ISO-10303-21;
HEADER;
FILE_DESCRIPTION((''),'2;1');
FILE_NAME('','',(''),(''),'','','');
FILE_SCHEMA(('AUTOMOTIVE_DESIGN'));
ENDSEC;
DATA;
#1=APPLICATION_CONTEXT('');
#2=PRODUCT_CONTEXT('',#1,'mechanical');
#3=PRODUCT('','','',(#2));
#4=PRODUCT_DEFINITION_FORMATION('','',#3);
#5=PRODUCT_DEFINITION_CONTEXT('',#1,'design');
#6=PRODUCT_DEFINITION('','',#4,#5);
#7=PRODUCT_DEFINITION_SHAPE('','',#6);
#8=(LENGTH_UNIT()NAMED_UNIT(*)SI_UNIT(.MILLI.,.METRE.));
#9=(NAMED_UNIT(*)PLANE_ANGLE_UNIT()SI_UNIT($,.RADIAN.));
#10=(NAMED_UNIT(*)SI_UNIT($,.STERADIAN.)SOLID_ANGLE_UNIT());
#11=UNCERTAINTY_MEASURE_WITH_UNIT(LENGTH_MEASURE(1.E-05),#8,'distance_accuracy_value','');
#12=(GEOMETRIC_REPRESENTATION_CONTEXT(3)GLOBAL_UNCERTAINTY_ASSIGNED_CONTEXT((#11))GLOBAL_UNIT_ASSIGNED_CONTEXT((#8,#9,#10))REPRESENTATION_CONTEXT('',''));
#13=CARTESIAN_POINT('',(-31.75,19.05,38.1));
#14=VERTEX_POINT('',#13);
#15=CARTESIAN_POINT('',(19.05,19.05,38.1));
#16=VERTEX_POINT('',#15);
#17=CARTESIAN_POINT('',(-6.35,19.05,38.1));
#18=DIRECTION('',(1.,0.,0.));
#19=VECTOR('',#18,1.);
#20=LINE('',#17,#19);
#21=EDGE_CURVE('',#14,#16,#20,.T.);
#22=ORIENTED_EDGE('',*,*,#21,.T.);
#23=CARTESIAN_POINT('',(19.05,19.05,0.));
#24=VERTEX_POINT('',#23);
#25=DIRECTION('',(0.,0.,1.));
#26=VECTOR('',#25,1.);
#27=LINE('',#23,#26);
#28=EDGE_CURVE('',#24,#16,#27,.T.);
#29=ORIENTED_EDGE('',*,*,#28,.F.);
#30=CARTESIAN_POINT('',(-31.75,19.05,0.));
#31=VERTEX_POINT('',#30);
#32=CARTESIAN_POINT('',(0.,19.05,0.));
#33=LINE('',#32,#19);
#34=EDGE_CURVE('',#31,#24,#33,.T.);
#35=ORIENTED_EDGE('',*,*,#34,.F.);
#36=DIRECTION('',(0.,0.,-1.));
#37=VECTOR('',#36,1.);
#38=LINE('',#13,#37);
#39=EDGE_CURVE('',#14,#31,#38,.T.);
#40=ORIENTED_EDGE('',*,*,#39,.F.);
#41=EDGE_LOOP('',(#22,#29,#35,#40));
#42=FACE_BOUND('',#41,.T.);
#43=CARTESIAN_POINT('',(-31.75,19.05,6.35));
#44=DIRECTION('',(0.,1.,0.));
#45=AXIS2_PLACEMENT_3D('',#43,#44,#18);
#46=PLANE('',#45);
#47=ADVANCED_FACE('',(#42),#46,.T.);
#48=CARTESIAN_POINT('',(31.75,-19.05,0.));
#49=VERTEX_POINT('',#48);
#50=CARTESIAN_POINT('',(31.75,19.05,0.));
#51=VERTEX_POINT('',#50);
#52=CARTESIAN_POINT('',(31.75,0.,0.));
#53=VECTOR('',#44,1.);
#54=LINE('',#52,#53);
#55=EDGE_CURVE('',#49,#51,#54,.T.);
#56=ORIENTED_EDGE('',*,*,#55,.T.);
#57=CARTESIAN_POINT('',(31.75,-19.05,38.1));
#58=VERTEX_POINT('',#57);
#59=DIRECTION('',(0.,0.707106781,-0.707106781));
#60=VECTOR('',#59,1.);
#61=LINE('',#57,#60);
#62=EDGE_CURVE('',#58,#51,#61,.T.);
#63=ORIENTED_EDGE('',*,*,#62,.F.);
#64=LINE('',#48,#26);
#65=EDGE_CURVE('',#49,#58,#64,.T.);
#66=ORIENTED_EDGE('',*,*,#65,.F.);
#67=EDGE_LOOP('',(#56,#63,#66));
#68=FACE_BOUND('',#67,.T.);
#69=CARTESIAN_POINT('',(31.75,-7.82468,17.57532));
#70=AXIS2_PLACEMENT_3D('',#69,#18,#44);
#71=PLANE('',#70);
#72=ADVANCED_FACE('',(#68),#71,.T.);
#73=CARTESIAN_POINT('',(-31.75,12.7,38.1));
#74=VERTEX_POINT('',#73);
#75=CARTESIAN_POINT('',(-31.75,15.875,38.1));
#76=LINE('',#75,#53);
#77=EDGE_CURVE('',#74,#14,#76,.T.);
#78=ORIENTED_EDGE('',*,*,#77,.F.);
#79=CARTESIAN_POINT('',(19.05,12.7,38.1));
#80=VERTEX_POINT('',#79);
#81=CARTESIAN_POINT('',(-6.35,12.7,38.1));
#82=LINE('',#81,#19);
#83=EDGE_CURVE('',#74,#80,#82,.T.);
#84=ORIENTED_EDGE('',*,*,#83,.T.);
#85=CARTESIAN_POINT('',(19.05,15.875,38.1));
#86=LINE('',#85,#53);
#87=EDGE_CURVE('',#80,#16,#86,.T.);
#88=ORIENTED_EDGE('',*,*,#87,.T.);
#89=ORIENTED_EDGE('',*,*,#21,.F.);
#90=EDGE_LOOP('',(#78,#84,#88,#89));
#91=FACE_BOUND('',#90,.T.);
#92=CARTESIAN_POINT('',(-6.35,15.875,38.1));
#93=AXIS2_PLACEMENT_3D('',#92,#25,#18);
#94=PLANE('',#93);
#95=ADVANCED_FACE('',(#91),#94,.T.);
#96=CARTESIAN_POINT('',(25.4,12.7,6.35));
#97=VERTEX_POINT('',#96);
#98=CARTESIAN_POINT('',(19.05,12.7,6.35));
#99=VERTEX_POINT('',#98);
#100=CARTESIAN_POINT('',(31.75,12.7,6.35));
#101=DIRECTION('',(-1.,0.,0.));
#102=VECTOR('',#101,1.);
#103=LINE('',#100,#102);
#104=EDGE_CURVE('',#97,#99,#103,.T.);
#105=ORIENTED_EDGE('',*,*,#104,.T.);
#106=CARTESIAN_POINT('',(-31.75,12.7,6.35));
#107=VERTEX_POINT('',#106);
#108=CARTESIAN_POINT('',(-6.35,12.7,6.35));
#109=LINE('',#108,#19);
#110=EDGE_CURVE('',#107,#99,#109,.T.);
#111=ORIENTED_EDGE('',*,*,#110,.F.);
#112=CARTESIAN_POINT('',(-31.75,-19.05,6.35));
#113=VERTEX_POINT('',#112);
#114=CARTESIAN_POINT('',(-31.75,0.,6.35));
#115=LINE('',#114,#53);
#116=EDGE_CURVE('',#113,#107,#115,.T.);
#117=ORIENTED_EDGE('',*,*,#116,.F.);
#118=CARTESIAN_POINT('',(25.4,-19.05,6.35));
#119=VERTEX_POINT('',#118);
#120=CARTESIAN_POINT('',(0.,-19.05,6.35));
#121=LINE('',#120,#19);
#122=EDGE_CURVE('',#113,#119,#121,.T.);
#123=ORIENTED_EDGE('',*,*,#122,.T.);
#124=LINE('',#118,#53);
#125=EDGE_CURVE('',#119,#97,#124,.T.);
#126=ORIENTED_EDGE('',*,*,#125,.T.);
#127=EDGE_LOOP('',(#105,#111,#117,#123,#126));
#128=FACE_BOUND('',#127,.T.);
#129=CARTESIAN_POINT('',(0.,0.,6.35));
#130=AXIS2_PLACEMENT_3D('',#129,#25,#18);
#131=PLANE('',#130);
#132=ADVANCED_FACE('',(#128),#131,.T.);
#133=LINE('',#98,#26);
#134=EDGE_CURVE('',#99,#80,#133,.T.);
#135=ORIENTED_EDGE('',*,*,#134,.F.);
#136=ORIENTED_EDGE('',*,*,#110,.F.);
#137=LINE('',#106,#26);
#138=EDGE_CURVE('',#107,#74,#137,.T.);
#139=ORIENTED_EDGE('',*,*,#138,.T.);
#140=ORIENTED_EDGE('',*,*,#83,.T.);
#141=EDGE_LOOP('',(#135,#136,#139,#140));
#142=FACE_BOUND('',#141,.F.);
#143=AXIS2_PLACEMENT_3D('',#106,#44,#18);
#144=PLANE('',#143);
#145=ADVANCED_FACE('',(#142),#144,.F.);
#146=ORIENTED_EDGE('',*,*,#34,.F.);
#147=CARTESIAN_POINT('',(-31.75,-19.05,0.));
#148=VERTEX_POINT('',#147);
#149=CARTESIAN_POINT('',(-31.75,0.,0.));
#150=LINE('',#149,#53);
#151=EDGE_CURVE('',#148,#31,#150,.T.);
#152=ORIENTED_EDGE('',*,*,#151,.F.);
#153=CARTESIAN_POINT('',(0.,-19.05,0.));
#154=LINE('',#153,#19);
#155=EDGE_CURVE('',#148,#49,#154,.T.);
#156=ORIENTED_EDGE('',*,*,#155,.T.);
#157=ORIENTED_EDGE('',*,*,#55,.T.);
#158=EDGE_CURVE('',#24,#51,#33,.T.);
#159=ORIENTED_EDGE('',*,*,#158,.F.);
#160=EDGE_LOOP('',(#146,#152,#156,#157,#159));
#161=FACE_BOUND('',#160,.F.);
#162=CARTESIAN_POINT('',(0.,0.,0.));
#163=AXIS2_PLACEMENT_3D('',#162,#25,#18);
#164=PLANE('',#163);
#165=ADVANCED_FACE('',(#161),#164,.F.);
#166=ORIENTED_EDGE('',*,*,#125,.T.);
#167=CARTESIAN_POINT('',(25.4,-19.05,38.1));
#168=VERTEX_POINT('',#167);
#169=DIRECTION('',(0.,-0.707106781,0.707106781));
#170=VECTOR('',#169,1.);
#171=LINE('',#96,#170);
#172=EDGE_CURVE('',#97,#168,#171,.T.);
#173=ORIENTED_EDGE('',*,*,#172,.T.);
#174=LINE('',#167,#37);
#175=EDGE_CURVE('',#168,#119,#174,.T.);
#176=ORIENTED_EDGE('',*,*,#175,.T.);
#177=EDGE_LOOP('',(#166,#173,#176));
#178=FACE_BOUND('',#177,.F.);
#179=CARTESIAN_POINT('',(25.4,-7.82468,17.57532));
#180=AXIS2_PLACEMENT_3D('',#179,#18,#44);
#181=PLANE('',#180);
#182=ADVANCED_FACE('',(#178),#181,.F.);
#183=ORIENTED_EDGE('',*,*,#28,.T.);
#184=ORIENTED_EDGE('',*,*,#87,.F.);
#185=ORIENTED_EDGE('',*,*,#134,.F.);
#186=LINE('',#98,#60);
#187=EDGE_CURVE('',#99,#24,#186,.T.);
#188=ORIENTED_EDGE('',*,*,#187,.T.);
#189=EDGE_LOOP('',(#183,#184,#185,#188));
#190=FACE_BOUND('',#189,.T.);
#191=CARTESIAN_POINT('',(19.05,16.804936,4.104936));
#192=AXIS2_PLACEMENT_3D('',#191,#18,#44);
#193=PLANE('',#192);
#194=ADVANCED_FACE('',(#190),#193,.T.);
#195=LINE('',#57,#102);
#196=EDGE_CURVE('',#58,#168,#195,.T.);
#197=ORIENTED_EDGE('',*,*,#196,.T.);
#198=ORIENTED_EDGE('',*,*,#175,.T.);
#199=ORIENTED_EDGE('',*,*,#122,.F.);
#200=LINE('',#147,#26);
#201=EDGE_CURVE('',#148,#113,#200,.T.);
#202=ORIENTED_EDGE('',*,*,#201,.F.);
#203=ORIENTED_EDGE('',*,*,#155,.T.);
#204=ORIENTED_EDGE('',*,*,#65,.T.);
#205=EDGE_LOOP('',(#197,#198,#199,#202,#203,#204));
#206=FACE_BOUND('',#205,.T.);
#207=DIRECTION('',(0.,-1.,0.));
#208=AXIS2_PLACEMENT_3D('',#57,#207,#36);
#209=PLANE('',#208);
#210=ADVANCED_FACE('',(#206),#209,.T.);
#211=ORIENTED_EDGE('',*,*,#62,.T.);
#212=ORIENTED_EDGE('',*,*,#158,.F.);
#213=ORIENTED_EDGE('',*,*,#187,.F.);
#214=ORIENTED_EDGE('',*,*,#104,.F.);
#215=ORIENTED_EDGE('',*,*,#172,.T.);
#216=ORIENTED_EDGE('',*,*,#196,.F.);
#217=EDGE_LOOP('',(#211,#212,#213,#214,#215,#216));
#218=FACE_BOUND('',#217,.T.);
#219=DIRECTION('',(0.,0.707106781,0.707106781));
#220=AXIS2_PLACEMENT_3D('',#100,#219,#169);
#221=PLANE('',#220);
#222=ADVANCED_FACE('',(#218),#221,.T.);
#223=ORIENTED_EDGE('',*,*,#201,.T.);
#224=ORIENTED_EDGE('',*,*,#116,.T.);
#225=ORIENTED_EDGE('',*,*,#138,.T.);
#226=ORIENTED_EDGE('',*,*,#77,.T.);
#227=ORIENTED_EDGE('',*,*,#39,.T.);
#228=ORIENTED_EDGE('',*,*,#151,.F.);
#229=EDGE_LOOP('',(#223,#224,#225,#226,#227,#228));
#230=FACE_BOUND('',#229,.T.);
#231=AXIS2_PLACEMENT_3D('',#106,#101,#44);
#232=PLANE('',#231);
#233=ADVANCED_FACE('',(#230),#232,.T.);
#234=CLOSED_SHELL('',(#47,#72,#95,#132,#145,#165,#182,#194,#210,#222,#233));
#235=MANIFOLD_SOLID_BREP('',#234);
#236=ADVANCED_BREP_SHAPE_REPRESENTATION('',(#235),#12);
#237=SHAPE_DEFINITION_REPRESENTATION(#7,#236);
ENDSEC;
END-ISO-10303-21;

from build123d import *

# Parameters (mm, degrees)
F0_W     = 63.5
F0_H     = 38.1
F1_DEPTH = 6.35
F2_W     = 50.8
F2_H     = 6.35
F3_DEPTH = 31.75
F5_DEPTH = 6.35
F7_DEPTH = 12.7


with BuildPart() as f1:
    # F0 (on Top) → F1 (new body)
    with BuildSketch(Plane.XY):
        Rectangle(F0_W, F0_H)
    extrude(amount=F1_DEPTH)

    # F2 (on face) → F3 (join)
    with BuildSketch(Plane.XY.offset(6.35)):
        with Locations((-6.35, 15.875)):
            Rectangle(F2_W, F2_H)
    extrude(amount=F3_DEPTH)

    # F4 (on face) → F5 (join)
    with BuildSketch(Plane.YZ.offset(31.75)):
        Polygon((-19.05, 6.35), (12.7, 6.35), (-19.05, 38.1), align=None)
    extrude(amount=-F5_DEPTH)

    # F6 (on face) → F7 (cut)
    with BuildSketch(Plane.YZ.offset(31.75)):
        Polygon((19.05, 6.35), (12.7, 6.35), (19.05, 0), align=None)
    extrude(amount=-F7_DEPTH, mode=Mode.SUBTRACT)


solid = f1.part
